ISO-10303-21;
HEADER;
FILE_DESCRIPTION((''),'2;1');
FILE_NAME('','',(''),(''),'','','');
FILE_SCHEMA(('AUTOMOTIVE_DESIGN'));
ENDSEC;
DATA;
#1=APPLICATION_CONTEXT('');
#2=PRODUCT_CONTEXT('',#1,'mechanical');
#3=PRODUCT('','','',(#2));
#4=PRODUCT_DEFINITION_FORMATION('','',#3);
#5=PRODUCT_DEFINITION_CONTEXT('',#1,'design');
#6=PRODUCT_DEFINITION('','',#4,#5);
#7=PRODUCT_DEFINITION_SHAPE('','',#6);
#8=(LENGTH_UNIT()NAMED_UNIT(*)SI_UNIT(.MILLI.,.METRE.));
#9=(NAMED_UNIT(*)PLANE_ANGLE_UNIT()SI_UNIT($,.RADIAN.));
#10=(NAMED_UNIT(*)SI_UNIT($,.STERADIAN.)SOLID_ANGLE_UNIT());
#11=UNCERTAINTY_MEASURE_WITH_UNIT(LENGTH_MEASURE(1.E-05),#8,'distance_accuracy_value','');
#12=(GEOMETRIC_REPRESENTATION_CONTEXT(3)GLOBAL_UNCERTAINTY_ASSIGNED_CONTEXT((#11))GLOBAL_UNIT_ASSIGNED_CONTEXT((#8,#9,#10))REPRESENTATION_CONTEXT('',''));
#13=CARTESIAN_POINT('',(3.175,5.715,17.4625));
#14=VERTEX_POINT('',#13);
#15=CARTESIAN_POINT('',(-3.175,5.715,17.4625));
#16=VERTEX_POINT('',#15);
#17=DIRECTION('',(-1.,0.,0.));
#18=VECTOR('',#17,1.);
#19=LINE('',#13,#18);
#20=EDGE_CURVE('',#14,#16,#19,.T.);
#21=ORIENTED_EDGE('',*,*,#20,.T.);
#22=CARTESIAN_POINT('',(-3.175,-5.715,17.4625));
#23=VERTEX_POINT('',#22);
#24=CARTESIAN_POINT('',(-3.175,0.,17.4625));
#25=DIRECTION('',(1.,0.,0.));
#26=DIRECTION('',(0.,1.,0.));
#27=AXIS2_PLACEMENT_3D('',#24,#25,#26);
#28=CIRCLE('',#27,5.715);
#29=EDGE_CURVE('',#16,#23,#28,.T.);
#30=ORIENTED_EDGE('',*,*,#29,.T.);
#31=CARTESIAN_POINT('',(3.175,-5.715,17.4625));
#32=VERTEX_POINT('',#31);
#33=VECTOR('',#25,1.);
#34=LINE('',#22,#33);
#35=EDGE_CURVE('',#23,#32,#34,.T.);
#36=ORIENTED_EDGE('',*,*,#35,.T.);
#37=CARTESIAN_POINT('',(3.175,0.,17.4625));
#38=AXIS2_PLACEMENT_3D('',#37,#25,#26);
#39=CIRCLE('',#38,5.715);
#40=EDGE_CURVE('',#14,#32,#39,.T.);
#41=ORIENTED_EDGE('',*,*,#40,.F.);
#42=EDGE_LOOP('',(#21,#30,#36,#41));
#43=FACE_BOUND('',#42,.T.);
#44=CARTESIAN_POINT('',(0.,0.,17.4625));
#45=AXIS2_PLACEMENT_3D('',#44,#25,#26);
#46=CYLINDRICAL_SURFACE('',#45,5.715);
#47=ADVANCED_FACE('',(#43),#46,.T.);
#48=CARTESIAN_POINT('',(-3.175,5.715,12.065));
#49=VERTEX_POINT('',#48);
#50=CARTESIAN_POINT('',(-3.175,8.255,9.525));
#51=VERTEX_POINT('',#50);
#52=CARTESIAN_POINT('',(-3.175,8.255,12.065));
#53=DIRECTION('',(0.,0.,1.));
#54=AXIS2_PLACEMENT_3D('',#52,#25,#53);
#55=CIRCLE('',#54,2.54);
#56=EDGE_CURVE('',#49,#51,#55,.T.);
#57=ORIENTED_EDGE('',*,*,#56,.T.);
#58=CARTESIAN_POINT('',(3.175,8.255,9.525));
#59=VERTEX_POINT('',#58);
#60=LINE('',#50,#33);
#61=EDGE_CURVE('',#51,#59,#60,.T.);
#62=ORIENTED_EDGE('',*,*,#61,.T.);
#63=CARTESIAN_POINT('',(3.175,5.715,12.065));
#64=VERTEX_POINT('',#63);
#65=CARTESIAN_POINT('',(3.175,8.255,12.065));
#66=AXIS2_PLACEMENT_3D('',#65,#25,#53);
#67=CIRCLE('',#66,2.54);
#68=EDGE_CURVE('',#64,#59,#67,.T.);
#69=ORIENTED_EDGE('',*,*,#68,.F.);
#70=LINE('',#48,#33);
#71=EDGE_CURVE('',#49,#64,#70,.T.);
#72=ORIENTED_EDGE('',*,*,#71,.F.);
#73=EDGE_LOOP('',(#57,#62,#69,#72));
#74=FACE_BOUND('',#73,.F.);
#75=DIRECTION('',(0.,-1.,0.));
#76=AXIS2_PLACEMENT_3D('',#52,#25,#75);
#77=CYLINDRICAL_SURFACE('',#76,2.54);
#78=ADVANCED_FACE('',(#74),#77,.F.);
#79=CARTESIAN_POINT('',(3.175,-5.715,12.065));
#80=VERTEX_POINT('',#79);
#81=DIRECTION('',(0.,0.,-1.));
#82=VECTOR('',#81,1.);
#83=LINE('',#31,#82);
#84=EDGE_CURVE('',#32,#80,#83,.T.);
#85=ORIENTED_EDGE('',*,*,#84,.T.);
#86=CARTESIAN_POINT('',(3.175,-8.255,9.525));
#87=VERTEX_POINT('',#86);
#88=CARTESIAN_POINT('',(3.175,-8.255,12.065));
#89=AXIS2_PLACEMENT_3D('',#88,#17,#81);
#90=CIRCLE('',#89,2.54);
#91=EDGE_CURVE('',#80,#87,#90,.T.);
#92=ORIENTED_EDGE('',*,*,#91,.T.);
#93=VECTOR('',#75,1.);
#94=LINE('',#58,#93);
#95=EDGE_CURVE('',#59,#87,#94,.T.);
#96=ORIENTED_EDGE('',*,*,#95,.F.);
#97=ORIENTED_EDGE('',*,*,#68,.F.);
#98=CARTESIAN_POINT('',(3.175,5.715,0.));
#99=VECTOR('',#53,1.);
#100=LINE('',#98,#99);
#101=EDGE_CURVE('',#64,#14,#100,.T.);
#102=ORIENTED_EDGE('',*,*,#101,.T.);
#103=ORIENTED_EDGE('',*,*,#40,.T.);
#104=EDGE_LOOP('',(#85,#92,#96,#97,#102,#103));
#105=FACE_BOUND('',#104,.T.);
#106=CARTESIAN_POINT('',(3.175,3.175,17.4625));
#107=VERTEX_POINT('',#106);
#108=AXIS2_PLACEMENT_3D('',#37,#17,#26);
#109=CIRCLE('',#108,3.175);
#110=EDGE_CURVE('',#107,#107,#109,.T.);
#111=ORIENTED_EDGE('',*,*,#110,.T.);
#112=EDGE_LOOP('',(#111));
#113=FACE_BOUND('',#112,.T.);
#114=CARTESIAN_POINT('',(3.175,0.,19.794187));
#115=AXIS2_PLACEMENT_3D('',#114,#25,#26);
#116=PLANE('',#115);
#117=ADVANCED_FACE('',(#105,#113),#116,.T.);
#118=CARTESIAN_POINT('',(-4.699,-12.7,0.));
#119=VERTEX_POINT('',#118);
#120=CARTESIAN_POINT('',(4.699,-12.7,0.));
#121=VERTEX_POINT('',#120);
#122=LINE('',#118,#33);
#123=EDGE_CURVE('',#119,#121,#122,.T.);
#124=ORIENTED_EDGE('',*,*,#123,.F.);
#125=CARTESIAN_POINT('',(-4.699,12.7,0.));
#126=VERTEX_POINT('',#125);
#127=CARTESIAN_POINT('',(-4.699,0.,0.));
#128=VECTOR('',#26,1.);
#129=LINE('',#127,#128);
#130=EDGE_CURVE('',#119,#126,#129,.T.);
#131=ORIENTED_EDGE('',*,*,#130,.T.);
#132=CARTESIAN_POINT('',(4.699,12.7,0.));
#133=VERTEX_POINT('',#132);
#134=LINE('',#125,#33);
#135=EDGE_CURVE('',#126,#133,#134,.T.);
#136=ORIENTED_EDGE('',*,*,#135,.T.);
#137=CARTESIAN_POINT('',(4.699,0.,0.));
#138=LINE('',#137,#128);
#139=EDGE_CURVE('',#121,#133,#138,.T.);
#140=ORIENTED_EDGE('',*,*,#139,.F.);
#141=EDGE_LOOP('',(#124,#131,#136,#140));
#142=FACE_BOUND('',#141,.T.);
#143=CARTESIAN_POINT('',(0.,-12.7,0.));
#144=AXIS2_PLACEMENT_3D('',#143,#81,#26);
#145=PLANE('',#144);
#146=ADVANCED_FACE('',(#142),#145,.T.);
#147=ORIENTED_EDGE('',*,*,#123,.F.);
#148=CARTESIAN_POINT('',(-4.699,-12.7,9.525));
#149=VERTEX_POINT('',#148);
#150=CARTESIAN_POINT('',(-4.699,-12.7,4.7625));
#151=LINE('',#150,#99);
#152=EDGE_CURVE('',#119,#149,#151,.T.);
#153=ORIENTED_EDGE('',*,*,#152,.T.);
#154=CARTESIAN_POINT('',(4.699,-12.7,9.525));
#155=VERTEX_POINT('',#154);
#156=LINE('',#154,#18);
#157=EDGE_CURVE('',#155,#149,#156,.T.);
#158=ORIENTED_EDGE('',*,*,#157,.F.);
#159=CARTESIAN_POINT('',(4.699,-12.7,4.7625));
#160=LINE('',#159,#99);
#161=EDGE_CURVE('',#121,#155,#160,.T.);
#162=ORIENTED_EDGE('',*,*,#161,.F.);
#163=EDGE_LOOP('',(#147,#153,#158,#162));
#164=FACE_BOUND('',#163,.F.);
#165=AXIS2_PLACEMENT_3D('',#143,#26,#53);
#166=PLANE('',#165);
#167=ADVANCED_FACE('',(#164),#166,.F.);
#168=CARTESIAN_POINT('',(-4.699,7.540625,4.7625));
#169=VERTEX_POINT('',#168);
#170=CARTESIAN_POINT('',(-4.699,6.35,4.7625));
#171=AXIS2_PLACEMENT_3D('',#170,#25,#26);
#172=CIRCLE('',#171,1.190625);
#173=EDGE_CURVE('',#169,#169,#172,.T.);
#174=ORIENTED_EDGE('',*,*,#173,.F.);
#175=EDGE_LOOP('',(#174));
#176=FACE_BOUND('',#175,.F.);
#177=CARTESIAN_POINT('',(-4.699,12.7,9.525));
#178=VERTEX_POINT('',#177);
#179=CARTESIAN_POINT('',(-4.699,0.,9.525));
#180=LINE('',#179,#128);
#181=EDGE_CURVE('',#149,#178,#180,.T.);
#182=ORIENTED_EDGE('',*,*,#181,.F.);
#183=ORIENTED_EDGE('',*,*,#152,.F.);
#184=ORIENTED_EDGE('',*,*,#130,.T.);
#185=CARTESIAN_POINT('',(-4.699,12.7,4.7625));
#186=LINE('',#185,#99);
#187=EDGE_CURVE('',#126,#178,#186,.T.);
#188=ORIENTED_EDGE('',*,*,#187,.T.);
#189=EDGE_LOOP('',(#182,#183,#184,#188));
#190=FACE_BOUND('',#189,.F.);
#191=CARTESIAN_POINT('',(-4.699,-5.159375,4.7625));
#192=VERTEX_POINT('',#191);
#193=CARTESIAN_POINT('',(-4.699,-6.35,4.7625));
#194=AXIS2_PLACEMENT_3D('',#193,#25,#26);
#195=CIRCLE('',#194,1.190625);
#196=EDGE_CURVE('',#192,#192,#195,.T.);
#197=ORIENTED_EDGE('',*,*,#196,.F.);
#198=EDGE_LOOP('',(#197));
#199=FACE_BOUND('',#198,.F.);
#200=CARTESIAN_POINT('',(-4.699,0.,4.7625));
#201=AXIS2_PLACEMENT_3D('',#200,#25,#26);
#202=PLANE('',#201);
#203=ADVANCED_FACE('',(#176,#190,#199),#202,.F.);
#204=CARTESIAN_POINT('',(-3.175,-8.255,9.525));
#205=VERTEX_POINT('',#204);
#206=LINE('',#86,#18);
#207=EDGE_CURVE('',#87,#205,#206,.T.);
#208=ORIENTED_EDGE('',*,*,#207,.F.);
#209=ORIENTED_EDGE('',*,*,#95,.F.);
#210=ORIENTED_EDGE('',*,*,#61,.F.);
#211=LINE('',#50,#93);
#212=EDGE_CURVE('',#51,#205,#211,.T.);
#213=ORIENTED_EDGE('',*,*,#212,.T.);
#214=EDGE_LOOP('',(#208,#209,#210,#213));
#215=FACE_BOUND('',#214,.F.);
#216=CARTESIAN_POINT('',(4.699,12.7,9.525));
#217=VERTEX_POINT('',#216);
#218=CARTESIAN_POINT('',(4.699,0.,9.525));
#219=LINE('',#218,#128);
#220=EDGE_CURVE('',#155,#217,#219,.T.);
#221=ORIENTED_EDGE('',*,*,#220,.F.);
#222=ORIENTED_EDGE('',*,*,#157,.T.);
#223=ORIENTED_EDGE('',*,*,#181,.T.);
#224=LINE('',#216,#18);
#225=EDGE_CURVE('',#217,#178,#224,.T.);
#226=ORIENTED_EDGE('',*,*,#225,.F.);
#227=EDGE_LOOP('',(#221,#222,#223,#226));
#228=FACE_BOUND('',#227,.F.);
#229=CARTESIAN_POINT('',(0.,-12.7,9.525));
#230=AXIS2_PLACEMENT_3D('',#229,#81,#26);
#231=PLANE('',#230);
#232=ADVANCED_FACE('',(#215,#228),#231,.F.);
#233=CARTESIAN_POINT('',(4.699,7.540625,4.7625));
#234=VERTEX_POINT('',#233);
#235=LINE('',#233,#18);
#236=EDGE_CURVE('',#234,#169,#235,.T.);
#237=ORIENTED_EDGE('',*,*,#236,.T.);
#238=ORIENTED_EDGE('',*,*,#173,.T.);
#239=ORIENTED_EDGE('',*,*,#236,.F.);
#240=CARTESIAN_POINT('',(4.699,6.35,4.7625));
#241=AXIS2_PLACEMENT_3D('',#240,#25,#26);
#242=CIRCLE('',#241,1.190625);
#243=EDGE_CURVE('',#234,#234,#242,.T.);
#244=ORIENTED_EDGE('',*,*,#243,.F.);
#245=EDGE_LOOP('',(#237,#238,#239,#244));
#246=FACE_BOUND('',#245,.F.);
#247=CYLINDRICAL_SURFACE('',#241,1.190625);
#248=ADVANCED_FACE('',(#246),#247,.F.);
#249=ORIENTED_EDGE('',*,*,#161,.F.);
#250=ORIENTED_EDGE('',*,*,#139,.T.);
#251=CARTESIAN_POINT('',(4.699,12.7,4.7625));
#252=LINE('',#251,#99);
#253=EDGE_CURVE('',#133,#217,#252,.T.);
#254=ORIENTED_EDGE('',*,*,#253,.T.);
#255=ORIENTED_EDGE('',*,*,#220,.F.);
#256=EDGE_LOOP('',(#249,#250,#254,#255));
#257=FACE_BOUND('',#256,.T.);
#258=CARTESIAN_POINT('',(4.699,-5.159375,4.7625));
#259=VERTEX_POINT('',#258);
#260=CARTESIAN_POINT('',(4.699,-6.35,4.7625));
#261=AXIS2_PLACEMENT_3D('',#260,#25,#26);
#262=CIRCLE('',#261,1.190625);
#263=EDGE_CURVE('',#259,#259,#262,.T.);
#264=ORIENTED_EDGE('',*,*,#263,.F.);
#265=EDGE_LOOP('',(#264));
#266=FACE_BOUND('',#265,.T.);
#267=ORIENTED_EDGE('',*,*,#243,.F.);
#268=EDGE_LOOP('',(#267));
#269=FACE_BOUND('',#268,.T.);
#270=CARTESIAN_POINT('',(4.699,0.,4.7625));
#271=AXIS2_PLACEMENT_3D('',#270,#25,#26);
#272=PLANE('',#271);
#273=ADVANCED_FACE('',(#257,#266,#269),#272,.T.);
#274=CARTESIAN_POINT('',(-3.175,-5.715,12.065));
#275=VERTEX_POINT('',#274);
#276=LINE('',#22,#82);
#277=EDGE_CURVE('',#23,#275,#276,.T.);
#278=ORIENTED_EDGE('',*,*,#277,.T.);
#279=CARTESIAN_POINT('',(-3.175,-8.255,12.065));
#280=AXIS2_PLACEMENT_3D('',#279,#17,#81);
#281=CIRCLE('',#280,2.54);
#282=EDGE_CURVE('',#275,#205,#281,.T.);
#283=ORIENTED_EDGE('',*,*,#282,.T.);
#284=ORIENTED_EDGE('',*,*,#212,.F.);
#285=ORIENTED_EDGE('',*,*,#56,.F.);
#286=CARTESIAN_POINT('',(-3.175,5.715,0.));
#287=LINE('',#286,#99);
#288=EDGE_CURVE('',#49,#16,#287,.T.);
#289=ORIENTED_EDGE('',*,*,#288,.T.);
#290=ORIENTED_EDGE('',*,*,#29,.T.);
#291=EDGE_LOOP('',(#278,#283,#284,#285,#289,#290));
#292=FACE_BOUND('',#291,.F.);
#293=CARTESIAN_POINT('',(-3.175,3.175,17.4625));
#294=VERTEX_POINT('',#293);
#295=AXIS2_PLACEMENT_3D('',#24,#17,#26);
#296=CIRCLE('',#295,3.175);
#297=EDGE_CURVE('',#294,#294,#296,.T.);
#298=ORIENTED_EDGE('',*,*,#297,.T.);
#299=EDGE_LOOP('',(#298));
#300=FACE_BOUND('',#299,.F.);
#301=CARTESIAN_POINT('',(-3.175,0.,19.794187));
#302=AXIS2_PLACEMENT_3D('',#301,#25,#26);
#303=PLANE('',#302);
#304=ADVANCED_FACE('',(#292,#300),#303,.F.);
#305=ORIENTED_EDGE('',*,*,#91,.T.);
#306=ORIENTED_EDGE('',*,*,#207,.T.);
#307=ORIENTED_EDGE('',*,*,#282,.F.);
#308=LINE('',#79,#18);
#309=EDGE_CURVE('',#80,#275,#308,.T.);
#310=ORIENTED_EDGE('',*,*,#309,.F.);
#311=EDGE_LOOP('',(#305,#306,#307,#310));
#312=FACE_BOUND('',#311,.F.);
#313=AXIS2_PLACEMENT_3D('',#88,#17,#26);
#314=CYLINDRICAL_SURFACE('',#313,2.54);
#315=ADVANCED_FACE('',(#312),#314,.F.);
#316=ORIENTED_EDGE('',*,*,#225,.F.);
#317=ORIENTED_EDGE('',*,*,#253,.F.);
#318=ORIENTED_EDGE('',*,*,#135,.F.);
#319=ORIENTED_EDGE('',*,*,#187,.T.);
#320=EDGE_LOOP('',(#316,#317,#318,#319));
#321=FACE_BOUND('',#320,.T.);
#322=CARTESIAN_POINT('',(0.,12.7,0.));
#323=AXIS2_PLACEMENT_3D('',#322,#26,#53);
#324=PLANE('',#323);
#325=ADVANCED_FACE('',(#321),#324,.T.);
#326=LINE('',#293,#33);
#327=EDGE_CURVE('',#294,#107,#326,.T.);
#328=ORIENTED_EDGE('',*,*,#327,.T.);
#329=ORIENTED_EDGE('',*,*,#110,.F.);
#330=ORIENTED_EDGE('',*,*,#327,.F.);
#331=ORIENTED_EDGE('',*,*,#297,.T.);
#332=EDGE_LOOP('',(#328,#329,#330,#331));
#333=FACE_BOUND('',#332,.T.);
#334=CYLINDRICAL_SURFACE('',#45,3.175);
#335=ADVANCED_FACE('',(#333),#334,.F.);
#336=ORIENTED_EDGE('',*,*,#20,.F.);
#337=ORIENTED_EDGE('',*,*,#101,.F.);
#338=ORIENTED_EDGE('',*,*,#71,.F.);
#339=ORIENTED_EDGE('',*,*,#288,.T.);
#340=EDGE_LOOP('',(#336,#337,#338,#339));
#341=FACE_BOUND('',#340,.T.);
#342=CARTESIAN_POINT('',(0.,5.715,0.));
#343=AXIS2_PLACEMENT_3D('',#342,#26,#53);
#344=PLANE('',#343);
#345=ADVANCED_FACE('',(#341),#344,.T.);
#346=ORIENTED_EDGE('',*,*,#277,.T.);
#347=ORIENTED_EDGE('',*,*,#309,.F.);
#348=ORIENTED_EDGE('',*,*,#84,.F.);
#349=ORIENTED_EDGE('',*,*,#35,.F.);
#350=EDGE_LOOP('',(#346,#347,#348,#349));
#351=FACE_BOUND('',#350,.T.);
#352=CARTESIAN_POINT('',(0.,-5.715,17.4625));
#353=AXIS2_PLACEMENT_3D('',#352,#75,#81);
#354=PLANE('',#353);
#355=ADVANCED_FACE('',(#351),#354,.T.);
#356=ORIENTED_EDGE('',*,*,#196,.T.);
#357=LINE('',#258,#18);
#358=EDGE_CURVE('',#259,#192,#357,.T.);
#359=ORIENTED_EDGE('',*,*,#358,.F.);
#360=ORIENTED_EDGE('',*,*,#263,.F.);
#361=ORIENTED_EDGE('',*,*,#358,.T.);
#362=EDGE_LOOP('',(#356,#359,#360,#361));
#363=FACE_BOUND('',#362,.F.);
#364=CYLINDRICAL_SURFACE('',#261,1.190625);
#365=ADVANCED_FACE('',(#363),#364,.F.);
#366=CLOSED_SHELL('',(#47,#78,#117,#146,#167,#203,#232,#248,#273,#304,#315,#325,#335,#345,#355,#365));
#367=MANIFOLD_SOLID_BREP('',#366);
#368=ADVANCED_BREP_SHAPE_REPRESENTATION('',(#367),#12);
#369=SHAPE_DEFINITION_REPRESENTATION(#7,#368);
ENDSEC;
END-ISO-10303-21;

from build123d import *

# Parameters (mm, degrees)
F0_W     = 25.4
F0_H     = 9.525
F1_DEPTH = 4.699
F3_DEPTH = 3.175
F4_R     = 1.190625
F5_DEPTH = 9.399
F6_R     = 2.54


with BuildPart() as f1:
    # F0 (on Right) → F1 (new body, symmetric)
    with BuildSketch(Plane.YZ):
        with Locations((0, 4.7625)):
            Rectangle(F0_W, F0_H)
    extrude(amount=F1_DEPTH, both=True)

    # F2 (on Right) → F3 (join, symmetric)
    with BuildSketch(Plane.YZ):
        with BuildLine():
            Line((3.175, 17.4625), (5.715, 17.4625))
            ThreePointArc((5.715, 17.4625), (0, 23.1775), (-5.715, 17.4625))
            Line((-5.715, 17.4625), (-3.175, 17.4625))
            ThreePointArc((-3.175, 17.4625), (0, 20.6375), (3.175, 17.4625))
        make_face()
        with BuildLine():
            Line((5.715, 0), (5.715, 17.4625))
            ThreePointArc((5.715, 17.4625), (0, 11.7475), (-5.715, 17.4625))
            Line((-5.715, 17.4625), (-5.715, 0))
            Line((-5.715, 0), (5.715, 0))
        make_face()
        with BuildLine():
            ThreePointArc((-5.715, 17.4625), (0, 11.7475), (5.715, 17.4625))
            Line((5.715, 17.4625), (3.175, 17.4625))
            ThreePointArc((3.175, 17.4625), (0, 14.2875), (-3.175, 17.4625))
            Line((-3.175, 17.4625), (-5.715, 17.4625))
        make_face()
    extrude(amount=F3_DEPTH, both=True)

    # F4 (on face) → F5 (cut, through all)
    with BuildSketch(Plane.YZ.offset(4.699)):
        with Locations((-6.35, 4.7625)):
            Circle(F4_R)
        with Locations((6.35, 4.7625)):
            Circle(F4_R)
    extrude(amount=-F5_DEPTH, mode=Mode.SUBTRACT)

    # F6
    f6_edges = [f1.edges().sort_by_distance(p)[0] for p in [
        (0, 5.715, 9.525),
        (0, -5.715, 9.525),
    ]]
    fillet(f6_edges, radius=F6_R)


solid = f1.part
